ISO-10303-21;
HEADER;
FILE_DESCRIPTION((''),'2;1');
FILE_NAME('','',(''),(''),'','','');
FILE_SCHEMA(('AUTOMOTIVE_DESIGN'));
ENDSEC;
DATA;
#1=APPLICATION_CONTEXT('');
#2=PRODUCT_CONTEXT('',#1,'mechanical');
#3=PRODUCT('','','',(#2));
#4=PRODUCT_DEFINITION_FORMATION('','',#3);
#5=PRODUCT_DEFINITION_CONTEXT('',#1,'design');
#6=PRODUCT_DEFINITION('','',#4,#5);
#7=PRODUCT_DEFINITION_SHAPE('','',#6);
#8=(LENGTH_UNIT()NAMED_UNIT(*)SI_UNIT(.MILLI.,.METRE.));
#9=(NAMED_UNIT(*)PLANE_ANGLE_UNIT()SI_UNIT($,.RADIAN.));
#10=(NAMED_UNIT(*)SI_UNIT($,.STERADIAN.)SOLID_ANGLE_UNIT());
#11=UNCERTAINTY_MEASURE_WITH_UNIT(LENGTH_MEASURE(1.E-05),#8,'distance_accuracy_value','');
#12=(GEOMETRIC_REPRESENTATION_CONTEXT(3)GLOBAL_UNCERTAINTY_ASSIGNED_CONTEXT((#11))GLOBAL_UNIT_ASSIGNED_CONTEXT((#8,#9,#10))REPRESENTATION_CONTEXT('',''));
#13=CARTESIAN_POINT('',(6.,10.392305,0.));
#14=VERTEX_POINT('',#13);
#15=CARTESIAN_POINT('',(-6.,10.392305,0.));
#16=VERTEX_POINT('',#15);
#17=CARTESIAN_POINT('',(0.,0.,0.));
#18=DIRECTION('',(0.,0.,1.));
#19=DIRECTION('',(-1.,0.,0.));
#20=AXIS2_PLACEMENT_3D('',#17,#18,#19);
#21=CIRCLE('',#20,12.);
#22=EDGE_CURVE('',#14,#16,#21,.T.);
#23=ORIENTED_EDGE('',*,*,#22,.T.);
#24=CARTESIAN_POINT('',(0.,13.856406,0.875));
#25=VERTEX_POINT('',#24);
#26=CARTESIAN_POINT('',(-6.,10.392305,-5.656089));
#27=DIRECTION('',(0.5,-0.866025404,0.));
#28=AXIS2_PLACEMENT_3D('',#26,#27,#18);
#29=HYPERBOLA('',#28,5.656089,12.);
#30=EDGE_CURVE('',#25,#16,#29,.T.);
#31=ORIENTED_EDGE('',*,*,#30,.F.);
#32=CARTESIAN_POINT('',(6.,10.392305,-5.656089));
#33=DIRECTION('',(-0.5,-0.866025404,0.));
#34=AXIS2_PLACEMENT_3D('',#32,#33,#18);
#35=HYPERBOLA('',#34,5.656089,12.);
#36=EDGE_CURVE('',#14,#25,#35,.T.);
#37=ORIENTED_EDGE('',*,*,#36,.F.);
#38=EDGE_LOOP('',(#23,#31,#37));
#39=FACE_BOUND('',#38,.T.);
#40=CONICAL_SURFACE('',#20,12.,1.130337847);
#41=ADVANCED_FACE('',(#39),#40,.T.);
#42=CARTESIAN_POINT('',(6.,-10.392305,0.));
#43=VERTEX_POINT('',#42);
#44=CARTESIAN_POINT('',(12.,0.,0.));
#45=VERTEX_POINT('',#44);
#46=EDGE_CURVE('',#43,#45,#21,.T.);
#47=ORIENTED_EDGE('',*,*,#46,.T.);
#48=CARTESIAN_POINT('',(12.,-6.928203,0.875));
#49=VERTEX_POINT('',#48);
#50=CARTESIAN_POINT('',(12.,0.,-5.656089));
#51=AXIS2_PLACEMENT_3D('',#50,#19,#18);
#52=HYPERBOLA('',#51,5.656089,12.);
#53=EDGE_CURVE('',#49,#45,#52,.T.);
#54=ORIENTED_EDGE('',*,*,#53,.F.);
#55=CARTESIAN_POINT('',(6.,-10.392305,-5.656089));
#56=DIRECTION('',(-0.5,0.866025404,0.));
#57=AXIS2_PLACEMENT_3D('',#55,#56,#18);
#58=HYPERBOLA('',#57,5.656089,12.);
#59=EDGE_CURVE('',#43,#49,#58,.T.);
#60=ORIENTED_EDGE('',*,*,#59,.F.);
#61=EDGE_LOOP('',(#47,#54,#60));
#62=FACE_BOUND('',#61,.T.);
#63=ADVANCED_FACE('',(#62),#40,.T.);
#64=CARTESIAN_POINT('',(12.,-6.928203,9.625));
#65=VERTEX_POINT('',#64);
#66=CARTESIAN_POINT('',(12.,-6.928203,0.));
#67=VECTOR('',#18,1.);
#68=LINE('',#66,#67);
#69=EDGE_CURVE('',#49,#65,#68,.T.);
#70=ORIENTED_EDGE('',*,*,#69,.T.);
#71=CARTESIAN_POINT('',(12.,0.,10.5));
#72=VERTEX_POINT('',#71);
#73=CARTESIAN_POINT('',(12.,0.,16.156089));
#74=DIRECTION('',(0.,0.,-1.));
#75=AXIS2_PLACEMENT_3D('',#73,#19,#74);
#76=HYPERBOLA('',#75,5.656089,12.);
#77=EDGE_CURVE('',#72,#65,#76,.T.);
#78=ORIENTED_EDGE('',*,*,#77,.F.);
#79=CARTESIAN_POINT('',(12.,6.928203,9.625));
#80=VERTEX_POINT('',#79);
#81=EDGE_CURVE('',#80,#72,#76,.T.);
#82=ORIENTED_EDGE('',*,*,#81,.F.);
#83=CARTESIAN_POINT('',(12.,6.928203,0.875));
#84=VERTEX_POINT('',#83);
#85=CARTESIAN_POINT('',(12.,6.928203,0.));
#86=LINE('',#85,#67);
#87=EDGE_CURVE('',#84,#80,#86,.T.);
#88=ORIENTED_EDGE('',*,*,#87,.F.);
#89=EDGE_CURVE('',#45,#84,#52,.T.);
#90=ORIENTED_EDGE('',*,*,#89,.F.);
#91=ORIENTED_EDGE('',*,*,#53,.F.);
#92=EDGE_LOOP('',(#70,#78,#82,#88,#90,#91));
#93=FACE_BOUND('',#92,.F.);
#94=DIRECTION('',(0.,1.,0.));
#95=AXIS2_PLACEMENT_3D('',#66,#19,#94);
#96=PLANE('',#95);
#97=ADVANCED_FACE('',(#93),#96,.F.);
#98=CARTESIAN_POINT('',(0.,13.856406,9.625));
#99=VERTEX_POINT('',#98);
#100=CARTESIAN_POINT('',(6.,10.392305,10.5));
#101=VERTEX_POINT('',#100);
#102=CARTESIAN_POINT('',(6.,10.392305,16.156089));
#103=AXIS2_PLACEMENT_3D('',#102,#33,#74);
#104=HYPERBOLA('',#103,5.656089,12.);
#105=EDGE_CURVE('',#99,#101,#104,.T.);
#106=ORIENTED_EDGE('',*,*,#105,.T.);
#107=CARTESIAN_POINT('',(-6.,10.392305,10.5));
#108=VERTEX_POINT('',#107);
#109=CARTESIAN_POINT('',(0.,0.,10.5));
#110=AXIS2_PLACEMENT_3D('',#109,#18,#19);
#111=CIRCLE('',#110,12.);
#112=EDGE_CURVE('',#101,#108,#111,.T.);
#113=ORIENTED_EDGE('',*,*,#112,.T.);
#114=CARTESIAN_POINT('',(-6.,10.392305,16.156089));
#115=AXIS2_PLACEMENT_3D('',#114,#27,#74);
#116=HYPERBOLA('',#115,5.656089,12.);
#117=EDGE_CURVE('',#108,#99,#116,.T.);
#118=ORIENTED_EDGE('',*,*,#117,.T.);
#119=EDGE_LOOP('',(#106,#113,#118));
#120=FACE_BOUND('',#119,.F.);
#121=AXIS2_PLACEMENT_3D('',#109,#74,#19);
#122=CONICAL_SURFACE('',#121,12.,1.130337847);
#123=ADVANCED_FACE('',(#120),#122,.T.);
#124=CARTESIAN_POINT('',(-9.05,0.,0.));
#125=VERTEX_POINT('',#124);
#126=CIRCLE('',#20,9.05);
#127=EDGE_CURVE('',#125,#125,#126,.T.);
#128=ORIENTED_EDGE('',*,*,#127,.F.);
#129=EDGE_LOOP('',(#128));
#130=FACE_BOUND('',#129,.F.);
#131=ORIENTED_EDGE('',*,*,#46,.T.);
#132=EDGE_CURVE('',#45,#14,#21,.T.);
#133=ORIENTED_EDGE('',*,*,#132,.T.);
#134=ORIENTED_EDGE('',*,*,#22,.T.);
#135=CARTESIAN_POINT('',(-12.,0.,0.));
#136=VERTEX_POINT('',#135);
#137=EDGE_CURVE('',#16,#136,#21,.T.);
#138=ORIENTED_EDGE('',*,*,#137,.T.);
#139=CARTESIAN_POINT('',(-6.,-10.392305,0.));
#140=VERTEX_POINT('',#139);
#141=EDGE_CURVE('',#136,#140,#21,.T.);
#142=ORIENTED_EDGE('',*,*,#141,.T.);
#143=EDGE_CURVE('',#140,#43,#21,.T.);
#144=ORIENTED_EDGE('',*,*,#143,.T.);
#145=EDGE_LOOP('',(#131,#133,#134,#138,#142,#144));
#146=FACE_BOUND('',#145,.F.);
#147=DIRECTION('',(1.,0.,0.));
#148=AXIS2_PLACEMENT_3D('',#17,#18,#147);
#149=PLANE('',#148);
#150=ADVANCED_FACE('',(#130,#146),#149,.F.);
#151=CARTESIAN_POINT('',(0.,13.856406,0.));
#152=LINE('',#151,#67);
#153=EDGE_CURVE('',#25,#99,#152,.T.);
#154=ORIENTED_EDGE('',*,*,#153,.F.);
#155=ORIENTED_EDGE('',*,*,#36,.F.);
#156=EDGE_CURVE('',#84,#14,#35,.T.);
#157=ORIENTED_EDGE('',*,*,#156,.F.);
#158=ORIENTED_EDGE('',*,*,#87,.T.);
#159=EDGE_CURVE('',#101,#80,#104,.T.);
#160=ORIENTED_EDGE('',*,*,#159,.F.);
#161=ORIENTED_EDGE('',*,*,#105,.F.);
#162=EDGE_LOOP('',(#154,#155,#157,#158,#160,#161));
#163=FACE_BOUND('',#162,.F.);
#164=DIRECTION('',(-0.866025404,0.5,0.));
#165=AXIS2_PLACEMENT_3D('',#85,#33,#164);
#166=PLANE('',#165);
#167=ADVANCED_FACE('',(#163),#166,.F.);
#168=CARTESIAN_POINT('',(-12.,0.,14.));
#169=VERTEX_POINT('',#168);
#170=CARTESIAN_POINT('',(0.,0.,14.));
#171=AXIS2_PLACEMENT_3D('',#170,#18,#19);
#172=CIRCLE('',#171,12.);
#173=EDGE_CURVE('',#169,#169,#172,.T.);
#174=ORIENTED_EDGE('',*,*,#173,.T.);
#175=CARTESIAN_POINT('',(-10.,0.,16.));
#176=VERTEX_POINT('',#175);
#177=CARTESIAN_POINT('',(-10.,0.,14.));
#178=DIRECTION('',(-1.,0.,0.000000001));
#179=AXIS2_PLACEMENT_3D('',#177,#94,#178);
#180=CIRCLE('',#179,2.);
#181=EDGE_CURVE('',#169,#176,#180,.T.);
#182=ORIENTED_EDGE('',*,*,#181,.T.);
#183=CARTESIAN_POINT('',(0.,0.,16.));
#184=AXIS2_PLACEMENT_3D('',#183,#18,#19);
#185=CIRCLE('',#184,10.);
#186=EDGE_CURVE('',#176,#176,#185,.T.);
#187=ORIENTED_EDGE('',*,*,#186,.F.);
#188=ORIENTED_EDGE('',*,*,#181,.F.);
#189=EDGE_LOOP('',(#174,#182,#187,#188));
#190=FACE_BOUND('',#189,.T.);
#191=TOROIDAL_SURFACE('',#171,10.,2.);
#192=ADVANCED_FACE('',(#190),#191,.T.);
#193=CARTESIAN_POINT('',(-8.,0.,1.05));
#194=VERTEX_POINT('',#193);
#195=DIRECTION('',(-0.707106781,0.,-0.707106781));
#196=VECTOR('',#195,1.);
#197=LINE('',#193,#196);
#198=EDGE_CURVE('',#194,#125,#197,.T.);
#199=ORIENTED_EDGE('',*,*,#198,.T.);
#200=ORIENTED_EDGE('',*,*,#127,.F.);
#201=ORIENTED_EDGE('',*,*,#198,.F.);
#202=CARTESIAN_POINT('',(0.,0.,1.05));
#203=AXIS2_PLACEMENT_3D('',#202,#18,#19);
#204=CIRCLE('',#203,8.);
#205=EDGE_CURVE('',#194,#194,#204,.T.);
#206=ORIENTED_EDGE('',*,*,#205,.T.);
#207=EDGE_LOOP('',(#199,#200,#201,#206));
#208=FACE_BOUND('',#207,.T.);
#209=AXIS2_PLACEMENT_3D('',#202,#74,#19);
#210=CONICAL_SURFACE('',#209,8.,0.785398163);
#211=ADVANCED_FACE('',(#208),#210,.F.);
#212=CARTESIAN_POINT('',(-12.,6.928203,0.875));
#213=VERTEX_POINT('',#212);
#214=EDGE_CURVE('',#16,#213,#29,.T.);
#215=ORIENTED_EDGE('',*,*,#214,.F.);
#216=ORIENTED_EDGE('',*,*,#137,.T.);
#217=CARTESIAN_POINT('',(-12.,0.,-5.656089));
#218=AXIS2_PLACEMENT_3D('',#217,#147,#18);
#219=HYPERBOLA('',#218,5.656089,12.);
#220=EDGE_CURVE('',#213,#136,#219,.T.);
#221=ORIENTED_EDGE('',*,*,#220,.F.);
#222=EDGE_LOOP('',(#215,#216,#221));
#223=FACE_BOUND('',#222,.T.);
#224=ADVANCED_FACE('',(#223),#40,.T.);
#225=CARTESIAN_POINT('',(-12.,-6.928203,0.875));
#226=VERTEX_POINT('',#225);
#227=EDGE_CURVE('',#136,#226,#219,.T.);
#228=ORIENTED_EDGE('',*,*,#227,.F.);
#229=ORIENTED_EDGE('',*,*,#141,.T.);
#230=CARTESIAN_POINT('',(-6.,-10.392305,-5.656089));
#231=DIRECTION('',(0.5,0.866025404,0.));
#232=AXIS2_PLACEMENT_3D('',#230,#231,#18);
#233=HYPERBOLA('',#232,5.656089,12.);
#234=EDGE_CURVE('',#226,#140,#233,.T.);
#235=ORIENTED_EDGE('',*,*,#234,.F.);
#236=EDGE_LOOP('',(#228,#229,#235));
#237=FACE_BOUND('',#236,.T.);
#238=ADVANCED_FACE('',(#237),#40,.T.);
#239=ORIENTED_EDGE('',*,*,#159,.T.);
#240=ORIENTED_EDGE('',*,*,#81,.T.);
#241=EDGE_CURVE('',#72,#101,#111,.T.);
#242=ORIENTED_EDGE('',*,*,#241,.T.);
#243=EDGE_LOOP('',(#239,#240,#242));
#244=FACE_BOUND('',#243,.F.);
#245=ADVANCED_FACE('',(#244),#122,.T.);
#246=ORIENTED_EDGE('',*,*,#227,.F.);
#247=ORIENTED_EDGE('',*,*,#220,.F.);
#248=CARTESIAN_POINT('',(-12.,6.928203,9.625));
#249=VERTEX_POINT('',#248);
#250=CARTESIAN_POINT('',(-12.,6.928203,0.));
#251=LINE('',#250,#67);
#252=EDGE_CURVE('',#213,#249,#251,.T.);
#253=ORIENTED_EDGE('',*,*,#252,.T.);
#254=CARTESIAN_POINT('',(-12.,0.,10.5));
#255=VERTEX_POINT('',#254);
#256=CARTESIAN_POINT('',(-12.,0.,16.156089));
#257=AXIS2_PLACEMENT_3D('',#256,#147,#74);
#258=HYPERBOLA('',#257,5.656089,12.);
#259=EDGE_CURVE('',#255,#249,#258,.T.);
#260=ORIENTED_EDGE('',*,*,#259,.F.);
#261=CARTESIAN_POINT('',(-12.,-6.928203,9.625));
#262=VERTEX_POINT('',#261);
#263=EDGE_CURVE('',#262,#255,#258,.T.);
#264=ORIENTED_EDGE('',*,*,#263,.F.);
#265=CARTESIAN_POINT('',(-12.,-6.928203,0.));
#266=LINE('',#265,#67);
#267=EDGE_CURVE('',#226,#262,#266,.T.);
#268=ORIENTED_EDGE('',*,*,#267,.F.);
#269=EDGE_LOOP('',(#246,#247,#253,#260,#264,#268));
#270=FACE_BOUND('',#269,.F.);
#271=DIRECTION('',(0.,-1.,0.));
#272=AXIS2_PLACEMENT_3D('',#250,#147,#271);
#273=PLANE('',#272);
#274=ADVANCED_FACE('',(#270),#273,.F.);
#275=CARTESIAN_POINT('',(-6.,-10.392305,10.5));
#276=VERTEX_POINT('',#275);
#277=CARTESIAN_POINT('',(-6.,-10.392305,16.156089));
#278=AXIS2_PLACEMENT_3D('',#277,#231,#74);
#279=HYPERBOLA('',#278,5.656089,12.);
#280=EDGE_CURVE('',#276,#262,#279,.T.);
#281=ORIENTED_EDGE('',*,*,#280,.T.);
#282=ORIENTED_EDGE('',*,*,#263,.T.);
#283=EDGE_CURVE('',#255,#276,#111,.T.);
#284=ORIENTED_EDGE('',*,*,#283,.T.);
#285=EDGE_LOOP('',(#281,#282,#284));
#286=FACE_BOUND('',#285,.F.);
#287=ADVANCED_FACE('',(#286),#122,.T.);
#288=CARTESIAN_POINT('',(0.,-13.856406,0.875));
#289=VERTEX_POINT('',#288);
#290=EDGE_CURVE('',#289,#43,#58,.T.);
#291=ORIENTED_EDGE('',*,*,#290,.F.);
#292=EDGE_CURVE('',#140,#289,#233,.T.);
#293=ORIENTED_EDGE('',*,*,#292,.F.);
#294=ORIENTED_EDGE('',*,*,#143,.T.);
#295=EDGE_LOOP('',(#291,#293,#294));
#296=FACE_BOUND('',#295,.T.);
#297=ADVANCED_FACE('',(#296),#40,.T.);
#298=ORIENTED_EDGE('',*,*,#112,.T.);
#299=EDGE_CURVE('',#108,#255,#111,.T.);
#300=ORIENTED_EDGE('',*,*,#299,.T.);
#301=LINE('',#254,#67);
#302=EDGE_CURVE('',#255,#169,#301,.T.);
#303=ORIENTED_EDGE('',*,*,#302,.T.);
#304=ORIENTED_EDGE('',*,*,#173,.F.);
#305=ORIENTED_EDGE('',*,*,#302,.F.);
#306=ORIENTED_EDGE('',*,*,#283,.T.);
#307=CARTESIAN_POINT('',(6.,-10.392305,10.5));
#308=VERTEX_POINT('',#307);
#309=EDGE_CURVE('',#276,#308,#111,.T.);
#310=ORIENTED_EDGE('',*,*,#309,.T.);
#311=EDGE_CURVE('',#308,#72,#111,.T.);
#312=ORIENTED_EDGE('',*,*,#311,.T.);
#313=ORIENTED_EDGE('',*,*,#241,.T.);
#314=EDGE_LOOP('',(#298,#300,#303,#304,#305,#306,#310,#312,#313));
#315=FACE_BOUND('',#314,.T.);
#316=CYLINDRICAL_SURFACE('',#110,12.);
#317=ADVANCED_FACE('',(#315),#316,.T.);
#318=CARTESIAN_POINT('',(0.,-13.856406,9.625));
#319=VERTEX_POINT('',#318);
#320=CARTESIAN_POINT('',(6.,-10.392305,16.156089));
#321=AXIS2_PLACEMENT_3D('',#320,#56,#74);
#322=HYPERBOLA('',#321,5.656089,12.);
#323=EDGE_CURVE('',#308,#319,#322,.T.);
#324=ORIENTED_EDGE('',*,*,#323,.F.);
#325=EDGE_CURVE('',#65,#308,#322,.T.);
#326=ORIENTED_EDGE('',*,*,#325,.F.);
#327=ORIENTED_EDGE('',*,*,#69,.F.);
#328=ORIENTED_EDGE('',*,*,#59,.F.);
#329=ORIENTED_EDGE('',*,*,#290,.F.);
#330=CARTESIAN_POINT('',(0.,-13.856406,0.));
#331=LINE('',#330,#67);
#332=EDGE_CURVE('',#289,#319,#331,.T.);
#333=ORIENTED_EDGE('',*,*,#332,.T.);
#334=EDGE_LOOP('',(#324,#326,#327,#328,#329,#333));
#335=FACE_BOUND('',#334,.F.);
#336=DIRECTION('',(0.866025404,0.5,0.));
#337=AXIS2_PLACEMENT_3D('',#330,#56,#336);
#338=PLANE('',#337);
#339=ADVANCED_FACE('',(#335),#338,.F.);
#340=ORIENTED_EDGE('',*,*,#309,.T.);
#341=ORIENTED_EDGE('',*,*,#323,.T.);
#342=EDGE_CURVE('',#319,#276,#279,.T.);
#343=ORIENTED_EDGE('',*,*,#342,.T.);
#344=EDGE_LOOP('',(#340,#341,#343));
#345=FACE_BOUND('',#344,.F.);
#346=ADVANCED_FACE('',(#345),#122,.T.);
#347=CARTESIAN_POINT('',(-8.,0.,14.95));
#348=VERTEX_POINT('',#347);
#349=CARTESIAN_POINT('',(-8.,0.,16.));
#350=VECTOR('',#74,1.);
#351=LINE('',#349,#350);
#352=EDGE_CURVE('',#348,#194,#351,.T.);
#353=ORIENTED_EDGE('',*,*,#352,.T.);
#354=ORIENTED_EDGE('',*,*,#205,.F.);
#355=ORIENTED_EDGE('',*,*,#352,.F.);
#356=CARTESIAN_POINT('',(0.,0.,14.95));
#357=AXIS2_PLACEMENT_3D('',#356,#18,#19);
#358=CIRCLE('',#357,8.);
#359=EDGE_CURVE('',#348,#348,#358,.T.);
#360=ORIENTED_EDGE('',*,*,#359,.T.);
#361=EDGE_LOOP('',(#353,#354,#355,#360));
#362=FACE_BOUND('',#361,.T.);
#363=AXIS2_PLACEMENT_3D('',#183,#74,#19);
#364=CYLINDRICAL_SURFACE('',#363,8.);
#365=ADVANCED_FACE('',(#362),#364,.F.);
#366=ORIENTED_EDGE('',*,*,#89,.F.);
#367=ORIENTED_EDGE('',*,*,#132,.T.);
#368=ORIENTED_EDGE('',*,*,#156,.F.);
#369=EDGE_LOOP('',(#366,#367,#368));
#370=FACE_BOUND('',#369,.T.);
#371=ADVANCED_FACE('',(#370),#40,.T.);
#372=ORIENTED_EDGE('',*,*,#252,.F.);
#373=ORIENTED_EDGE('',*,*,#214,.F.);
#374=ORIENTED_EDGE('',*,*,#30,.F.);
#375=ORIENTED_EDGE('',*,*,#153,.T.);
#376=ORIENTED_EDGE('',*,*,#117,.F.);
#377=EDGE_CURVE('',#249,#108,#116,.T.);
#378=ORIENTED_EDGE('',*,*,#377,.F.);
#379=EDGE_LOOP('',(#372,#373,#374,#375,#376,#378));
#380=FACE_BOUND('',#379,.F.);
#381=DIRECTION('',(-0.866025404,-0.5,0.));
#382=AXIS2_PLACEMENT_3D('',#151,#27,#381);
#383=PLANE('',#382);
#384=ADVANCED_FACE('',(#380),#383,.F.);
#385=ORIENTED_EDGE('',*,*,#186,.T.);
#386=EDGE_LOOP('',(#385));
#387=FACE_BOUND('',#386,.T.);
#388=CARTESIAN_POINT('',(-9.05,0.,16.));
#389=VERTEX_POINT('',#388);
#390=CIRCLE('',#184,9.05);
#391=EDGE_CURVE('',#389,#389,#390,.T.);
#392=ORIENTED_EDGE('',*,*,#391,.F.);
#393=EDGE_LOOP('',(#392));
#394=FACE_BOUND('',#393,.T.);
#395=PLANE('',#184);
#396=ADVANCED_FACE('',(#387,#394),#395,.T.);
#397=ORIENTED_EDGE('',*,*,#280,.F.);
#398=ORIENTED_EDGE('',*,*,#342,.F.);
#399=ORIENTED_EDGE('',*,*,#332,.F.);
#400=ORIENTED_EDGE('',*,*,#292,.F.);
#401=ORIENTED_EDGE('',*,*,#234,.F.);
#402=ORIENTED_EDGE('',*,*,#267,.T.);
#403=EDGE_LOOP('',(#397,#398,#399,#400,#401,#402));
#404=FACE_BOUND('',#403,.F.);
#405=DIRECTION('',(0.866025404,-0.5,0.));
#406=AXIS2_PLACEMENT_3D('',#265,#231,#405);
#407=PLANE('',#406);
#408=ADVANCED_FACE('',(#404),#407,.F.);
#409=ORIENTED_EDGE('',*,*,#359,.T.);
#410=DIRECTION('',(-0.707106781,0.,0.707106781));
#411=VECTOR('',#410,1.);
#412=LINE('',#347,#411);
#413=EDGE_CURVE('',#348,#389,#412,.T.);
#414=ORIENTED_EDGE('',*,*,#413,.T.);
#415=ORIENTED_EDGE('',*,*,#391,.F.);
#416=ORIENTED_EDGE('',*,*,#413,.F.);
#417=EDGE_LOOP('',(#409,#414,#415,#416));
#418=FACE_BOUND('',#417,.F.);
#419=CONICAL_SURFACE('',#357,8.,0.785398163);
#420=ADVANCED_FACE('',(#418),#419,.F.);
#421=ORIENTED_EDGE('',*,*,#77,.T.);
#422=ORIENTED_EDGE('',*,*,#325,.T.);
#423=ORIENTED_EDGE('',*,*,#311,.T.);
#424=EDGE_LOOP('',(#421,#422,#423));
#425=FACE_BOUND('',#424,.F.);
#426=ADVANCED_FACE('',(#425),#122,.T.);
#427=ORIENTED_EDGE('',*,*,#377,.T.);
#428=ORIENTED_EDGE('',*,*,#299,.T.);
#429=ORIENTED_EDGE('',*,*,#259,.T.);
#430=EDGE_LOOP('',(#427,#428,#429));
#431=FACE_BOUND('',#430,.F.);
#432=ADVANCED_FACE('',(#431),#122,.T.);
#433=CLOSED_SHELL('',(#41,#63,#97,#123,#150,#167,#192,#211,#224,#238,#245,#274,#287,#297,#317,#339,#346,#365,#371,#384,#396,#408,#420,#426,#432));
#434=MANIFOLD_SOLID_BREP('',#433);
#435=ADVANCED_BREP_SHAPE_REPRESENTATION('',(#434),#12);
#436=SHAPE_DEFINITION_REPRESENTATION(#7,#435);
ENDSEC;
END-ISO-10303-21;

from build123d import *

# Parameters (mm, degrees)
SKETCH1_R           = 8
BOSS_EXTRUDE1_DEPTH = 10.5


with BuildPart() as part:
    # Sketch1 → Boss-Extrude1 (new body)
    with BuildSketch(Plane.XY):
        Polygon((0, -13.856406461), (12, -6.92820323), (12, 6.92820323), (0, 13.856406461), (-12, 6.92820323), (-12, -6.92820323), align=None)
        with Locations(Location((0, 0, 0), (0, 0, 180))):
            Circle(SKETCH1_R, mode=Mode.SUBTRACT)
    extrude(amount=BOSS_EXTRUDE1_DEPTH)

    # Sketch3 → Revolve1 (revolve)
    with BuildSketch(Plane(origin=(0, 0, 0), x_dir=(0, 0, -1), z_dir=(0, 1, 0))):
        with BuildLine():
            Line((-10.5, 12), (-14, 12))
            ThreePointArc((-14, 12), (-15.414213562, 11.414213562), (-16, 10))
            Line((-16, 10), (-16, 8))
            Line((-16, 8), (-10.5, 8))
            Line((-10.5, 8), (-10.5, 12))
        make_face()
    revolve(axis=Axis((0, 0, 0), (0, 0, 1)))

    # Sketch2 → Cut-Revolve1 (revolve, cut)
    with BuildSketch(Plane(origin=(0, 0, 0), x_dir=(0, 0, -1), z_dir=(1, 0, 0)), mode=Mode.PRIVATE) as cut_revolve1_sk:
        Polygon((-10.5, 13.856406461), (-10.5, 12), (-9.625, 13.856406461), align=None)
        Polygon((-0.875, 13.856406461), (0, 13.856406461), (0, 12), align=None)
        Polygon((-16, 8), (-14.95, 8), (-16, 9.05), align=None)
        Polygon((0, 8), (-1.05, 8), (0, 9.05), align=None)
    revolve(cut_revolve1_sk.sketch.rotate(Axis((0, 0, 0), (0, 0, 1)), 90), axis=Axis((0, 0, 0), (0, 0, 1)), mode=Mode.SUBTRACT)


solid = part.part
